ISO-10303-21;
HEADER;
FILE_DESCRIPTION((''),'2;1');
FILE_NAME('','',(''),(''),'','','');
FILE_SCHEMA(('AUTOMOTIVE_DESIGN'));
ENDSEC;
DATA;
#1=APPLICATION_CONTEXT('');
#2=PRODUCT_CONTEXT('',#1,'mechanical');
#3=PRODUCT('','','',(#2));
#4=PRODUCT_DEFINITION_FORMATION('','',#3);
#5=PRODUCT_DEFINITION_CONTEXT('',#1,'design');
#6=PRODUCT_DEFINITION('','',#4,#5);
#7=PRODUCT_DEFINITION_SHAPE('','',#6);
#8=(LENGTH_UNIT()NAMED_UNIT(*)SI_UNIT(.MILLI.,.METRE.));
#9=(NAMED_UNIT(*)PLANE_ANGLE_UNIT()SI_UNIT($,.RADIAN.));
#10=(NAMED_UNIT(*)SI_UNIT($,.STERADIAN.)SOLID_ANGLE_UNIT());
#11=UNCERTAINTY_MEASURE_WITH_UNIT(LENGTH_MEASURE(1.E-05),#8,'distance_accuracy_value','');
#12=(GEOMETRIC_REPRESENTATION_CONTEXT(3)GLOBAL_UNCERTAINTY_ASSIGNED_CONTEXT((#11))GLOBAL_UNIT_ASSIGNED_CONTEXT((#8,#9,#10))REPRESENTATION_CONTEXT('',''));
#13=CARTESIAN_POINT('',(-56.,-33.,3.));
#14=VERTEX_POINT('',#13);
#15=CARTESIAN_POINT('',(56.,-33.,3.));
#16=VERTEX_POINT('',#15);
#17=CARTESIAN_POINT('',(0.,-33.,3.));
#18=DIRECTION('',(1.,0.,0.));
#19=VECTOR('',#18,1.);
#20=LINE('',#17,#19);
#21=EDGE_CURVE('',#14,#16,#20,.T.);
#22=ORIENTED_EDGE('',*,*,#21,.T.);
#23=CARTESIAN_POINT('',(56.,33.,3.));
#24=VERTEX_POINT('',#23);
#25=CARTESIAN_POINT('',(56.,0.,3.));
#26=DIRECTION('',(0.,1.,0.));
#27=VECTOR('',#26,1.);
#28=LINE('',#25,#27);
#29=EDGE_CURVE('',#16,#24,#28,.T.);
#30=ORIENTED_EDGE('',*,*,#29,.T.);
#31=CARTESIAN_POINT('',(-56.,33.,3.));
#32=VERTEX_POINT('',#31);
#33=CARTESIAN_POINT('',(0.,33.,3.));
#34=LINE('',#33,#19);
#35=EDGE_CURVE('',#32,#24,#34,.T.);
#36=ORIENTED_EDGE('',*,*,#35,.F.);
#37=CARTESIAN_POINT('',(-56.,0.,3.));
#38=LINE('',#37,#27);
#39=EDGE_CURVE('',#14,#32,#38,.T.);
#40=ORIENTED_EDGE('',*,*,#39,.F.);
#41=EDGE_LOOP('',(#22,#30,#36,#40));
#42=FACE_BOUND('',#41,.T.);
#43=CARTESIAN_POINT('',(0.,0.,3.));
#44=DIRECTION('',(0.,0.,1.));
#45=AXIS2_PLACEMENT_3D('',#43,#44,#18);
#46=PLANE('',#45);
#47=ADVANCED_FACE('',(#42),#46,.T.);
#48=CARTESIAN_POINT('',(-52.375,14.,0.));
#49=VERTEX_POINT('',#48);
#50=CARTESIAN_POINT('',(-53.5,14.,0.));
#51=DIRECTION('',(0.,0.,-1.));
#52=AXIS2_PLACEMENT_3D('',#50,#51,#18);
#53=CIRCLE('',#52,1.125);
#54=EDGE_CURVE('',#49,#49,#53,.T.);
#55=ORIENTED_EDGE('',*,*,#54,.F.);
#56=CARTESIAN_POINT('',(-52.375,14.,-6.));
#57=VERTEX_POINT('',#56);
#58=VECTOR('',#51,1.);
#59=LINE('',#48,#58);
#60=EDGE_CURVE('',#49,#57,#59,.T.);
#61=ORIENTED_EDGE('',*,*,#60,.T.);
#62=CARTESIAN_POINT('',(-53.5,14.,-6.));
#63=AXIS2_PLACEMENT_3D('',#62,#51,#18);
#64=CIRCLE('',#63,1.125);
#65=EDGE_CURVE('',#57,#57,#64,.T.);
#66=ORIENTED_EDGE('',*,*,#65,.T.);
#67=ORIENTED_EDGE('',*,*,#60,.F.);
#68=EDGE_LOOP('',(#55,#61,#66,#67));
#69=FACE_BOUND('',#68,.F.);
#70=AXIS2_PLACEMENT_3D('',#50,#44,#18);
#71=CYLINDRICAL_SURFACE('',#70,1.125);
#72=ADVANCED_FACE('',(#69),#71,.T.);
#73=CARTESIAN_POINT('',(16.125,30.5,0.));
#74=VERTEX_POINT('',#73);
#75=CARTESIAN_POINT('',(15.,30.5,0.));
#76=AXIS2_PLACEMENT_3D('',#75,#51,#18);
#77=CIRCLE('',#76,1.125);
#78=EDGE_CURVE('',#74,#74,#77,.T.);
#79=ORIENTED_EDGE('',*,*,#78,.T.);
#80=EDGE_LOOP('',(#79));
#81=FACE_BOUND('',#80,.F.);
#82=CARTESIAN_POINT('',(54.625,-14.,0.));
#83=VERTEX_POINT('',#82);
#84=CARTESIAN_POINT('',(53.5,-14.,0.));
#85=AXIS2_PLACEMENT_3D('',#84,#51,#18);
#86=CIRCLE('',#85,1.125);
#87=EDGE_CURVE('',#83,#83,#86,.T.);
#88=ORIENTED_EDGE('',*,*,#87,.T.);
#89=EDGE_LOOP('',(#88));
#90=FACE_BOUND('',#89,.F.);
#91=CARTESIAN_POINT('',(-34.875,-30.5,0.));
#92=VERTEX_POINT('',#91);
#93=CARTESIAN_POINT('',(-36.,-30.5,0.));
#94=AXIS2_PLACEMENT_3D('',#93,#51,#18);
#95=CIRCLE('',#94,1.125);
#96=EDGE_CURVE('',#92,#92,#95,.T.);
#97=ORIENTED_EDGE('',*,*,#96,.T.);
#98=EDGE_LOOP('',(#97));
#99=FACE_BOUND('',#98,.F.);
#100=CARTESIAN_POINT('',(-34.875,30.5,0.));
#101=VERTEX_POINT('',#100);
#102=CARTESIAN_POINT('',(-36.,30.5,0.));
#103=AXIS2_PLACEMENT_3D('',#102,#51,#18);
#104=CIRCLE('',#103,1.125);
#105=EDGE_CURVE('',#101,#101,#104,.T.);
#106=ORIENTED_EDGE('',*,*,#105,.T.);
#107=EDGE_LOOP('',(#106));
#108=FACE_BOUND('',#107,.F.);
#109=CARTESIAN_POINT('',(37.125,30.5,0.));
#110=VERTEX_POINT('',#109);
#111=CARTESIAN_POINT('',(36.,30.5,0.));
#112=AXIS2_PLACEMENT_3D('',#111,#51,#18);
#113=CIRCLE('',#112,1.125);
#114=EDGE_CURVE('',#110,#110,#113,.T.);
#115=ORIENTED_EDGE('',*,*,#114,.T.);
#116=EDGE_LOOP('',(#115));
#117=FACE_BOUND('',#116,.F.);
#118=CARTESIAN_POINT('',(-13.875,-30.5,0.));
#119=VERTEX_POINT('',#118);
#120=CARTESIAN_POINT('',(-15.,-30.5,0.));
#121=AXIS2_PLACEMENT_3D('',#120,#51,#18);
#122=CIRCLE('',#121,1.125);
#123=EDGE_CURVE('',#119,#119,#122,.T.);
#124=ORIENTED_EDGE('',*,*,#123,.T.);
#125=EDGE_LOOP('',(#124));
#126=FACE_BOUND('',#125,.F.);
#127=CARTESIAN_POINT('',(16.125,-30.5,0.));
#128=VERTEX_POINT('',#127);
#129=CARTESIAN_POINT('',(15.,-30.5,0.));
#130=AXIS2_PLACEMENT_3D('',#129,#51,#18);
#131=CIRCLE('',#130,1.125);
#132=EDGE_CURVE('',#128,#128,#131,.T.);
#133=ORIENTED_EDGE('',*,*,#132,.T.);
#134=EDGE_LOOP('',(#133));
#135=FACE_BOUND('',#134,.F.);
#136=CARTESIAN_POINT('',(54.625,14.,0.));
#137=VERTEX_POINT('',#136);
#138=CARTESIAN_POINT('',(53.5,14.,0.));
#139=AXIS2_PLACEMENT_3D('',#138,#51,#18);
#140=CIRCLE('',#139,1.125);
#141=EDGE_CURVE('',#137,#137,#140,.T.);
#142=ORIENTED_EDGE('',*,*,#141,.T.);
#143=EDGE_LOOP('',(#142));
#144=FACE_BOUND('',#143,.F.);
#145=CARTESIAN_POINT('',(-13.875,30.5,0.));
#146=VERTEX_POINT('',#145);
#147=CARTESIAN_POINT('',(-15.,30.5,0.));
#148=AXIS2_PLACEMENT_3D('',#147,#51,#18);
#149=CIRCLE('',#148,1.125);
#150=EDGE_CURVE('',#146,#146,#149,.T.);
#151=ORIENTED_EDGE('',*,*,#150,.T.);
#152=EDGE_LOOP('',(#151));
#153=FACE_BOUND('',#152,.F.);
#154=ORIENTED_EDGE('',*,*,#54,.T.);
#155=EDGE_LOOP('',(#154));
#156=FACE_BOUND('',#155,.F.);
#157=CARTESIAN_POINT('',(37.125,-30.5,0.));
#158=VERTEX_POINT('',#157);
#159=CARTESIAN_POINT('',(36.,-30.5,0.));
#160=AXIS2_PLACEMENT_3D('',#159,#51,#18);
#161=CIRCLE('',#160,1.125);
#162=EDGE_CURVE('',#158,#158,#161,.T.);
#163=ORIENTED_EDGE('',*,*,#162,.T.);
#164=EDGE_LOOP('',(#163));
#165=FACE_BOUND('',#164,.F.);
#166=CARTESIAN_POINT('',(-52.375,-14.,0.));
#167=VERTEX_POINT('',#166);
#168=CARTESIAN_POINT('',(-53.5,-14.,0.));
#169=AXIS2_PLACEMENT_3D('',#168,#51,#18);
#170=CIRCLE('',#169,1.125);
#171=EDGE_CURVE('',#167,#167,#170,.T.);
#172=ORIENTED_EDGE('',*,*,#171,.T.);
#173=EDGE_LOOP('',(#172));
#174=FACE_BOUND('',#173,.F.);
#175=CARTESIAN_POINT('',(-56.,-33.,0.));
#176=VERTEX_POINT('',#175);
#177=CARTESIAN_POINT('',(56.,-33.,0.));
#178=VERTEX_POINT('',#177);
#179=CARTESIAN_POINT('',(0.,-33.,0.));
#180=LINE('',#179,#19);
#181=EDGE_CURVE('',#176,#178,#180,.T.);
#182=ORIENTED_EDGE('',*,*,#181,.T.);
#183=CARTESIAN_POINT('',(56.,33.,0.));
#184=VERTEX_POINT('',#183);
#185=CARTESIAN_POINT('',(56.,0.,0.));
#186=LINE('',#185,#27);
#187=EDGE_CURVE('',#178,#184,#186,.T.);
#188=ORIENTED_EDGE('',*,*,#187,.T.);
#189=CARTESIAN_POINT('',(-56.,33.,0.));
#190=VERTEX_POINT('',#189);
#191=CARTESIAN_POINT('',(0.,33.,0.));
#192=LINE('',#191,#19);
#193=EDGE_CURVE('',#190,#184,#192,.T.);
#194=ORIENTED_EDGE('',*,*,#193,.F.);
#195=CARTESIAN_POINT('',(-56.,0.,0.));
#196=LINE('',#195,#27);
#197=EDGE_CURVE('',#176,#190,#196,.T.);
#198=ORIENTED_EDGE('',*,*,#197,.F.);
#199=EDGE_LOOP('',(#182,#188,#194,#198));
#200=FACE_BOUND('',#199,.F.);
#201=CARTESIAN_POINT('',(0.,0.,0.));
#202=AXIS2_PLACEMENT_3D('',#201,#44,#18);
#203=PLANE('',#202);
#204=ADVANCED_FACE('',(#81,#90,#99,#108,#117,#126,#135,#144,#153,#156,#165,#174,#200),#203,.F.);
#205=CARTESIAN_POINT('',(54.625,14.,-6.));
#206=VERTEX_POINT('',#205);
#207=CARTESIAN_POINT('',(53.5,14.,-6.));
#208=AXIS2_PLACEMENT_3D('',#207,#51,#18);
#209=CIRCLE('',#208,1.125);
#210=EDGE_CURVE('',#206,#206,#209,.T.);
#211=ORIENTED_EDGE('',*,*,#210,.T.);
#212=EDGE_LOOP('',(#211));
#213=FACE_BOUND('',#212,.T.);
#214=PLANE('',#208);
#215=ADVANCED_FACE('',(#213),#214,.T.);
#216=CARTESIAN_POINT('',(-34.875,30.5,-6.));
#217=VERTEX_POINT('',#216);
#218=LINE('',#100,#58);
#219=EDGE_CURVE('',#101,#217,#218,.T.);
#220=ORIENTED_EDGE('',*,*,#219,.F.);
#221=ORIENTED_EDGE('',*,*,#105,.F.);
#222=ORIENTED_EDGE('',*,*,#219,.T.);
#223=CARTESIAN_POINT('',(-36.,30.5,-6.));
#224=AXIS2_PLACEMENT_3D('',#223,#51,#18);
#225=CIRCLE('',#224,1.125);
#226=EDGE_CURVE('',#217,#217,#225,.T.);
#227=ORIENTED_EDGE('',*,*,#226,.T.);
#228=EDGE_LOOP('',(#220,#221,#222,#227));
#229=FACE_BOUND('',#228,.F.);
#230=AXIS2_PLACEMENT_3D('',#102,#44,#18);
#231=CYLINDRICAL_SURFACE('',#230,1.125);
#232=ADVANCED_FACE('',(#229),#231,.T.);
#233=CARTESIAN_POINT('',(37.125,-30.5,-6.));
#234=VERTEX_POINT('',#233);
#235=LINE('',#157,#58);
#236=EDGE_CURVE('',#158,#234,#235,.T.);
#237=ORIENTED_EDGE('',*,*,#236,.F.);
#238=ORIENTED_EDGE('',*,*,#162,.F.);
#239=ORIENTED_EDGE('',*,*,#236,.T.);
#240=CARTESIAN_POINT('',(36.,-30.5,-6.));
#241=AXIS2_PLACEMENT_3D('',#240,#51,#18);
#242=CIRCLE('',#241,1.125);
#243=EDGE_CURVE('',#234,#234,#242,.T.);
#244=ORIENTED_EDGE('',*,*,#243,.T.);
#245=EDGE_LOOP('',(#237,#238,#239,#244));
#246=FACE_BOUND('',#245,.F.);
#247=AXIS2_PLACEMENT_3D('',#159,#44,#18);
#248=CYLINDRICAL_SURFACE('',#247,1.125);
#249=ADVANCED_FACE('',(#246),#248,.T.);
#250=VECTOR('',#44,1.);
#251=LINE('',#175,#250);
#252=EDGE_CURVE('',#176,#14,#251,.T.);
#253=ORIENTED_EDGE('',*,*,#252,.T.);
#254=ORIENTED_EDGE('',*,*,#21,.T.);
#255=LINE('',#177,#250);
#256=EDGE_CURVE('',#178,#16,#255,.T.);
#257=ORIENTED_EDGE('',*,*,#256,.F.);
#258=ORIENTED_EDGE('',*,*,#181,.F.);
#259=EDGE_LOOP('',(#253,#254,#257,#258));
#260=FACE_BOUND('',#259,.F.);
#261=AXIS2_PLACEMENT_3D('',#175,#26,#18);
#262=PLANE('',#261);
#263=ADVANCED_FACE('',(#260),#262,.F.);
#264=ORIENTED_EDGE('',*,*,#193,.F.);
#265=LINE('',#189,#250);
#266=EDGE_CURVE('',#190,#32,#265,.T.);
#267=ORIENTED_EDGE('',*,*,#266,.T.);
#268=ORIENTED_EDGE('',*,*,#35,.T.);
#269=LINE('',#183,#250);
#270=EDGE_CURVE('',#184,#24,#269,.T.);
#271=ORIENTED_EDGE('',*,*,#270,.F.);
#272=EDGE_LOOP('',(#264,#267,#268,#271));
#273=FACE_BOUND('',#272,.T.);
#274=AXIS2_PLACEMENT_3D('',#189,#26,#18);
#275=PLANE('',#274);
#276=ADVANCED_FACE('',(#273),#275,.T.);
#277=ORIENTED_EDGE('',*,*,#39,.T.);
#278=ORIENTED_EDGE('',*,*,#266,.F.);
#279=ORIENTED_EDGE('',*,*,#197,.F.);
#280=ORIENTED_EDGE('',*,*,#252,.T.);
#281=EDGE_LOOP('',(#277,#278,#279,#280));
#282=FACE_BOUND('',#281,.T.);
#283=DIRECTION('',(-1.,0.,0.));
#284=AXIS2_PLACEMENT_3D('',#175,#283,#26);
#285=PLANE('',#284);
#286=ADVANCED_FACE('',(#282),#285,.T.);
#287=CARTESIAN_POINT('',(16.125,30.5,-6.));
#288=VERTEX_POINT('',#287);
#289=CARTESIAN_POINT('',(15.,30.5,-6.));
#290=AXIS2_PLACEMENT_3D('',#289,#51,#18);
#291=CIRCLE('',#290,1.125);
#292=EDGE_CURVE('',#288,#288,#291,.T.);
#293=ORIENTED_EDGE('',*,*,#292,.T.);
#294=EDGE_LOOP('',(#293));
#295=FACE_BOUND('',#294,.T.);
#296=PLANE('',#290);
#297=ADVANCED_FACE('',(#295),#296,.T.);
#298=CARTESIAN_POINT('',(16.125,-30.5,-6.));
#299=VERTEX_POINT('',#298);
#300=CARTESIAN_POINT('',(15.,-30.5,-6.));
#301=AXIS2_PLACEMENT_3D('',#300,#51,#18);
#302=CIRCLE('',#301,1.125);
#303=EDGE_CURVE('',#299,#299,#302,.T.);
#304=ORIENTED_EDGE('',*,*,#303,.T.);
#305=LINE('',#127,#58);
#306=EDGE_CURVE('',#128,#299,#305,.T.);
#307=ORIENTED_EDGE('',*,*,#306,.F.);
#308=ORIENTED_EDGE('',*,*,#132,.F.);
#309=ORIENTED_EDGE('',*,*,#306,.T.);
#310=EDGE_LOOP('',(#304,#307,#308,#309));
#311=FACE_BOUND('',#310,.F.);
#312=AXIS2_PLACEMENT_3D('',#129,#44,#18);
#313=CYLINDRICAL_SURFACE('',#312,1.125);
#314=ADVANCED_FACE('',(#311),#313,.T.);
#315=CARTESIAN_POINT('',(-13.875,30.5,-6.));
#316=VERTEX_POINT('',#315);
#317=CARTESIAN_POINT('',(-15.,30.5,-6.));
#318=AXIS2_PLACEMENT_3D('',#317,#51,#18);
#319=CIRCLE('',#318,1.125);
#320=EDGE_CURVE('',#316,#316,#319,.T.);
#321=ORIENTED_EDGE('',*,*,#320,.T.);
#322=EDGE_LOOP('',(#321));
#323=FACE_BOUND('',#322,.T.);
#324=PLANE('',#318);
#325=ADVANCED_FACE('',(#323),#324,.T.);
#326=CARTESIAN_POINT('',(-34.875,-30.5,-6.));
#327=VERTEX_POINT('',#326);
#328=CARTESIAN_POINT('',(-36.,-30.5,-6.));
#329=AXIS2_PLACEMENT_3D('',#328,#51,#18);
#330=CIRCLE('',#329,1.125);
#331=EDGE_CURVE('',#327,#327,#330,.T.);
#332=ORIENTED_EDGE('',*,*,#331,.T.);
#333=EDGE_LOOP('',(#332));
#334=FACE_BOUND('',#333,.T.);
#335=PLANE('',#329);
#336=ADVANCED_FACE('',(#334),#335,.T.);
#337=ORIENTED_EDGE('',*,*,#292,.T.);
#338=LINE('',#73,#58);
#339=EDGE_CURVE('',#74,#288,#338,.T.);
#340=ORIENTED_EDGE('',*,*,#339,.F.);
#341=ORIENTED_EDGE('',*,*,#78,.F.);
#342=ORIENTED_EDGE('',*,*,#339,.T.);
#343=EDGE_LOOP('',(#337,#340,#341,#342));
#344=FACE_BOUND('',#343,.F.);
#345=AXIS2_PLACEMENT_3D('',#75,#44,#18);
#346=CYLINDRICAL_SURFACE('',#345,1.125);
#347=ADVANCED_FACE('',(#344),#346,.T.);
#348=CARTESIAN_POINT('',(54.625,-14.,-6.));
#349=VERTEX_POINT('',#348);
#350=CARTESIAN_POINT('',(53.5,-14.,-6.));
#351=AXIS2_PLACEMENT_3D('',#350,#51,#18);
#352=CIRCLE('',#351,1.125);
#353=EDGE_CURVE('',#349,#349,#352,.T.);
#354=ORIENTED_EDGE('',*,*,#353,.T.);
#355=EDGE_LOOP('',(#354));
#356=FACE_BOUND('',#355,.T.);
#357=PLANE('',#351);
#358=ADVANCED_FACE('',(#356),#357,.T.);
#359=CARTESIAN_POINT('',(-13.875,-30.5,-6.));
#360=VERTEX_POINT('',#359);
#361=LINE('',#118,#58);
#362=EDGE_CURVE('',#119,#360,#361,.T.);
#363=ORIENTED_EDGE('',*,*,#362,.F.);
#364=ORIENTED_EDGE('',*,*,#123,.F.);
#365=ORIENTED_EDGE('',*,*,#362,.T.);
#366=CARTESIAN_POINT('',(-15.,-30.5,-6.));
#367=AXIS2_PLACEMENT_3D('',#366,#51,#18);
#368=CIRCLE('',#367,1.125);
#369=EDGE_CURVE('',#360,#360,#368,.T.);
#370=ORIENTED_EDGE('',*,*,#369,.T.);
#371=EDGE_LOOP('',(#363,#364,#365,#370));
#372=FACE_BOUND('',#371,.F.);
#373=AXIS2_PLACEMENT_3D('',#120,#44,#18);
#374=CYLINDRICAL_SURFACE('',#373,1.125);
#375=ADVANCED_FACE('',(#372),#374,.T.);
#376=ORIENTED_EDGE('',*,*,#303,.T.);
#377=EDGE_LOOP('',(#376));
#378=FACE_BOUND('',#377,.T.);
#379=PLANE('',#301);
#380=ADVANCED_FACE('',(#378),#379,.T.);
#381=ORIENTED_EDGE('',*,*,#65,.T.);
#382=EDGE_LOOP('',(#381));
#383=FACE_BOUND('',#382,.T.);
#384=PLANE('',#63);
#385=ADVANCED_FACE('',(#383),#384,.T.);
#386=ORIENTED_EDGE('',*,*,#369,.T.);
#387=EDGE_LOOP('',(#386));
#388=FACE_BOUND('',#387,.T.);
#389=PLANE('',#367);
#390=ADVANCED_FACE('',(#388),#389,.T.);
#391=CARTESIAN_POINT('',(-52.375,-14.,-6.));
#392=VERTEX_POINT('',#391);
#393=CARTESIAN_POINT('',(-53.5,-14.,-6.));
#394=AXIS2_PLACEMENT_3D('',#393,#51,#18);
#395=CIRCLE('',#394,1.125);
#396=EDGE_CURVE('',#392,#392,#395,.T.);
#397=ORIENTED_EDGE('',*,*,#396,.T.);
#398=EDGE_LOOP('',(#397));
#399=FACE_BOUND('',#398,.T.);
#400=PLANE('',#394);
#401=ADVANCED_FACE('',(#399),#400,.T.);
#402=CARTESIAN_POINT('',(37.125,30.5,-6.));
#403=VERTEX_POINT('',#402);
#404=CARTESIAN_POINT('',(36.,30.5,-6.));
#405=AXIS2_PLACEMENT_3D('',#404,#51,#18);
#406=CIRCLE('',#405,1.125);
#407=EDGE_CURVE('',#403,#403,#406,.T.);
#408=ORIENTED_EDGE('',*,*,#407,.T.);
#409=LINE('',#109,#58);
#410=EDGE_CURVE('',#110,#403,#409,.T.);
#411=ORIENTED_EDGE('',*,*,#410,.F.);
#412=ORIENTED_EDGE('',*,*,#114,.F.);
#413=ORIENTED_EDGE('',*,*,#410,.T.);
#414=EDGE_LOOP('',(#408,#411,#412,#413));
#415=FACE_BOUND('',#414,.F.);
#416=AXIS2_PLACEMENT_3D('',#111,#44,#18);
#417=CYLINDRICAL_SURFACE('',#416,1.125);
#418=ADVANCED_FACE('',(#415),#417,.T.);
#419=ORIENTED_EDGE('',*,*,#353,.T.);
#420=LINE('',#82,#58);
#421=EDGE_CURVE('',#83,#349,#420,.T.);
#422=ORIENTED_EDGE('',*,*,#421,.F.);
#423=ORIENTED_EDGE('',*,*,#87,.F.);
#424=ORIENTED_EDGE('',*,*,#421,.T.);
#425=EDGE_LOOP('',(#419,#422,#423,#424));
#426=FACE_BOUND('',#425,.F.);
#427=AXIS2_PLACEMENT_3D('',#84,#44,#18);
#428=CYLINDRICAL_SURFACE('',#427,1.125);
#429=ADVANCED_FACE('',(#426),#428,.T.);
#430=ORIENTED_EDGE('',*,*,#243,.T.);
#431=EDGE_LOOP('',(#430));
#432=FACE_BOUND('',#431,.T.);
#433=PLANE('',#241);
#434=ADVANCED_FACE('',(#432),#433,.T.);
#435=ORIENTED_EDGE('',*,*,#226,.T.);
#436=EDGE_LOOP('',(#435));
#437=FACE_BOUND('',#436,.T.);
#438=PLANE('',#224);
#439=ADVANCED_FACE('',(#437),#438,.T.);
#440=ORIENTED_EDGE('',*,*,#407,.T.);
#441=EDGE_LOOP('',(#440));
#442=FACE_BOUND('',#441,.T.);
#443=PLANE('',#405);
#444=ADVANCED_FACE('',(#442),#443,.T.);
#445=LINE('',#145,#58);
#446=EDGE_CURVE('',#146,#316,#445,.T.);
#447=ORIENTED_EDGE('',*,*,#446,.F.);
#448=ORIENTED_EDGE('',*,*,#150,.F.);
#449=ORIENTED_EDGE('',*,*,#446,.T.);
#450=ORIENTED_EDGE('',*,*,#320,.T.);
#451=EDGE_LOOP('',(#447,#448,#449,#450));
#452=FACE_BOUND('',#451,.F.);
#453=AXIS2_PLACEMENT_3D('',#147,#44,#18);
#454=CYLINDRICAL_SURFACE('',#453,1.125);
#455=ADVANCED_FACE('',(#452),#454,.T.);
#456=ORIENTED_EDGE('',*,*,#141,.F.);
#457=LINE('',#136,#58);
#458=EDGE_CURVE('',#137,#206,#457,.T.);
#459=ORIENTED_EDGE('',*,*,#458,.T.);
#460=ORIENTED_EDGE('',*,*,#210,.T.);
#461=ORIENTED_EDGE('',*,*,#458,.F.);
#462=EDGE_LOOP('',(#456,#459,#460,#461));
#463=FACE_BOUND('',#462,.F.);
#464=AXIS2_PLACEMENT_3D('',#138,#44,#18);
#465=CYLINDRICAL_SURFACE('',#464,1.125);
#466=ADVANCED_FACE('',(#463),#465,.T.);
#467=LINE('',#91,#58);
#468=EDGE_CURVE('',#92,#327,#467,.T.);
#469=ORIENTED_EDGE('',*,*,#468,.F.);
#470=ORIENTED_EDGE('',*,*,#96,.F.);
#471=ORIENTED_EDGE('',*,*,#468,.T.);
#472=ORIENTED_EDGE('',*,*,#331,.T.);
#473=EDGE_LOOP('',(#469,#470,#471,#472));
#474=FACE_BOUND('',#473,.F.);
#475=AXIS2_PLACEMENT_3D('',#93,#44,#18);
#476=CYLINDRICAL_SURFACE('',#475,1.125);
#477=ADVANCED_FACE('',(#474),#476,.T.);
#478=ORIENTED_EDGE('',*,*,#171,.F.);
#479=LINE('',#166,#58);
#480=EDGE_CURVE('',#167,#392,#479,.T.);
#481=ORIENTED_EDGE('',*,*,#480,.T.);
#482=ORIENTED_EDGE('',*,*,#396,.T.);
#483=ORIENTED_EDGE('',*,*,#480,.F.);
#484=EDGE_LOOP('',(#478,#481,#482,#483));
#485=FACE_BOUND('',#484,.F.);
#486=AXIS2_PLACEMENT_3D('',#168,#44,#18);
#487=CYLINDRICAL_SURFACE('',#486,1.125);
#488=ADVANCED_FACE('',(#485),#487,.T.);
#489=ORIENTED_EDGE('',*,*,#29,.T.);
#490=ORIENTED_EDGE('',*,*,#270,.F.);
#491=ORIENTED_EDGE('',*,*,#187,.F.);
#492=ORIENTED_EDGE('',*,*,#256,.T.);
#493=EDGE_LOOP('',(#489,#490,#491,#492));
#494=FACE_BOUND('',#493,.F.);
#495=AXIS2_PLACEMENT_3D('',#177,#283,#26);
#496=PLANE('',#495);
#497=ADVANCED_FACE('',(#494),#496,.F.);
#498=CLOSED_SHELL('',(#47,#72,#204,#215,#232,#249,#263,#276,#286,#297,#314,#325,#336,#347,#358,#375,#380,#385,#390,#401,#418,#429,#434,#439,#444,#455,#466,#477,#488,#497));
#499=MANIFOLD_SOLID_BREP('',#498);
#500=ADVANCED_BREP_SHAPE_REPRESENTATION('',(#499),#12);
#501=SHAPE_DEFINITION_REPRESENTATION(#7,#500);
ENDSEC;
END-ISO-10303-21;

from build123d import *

# Parameters (mm, degrees)
F0_W     = 112
F0_H     = 66
F1_DEPTH = 3
F2_R     = 1.125
F3_DEPTH = 6


with BuildPart() as f1:
    # F0 (on Top) → F1 (new body)
    with BuildSketch(Plane.XY):
        Rectangle(F0_W, F0_H)
    extrude(amount=F1_DEPTH)

    # F2 (on face) → F3 (join)
    with BuildSketch(Plane(origin=(0, 0, 0), x_dir=(1, 0, 0), z_dir=(0, 0, -1))):
        with Locations((-53.5, 14)):
            Circle(F2_R)
        with Locations((-36, 30.5)):
            Circle(F2_R)
        with Locations((-15, 30.5)):
            Circle(F2_R)
        with Locations((15, 30.5)):
            Circle(F2_R)
        with Locations((36, 30.5)):
            Circle(F2_R)
        with Locations((53.5, 14)):
            Circle(F2_R)
        with Locations((53.5, -14)):
            Circle(F2_R)
        with Locations((36, -30.5)):
            Circle(F2_R)
        with Locations((15, -30.5)):
            Circle(F2_R)
        with Locations((-15, -30.5)):
            Circle(F2_R)
        with Locations((-36, -30.5)):
            Circle(F2_R)
        with Locations((-53.5, -14)):
            Circle(F2_R)
    extrude(amount=F3_DEPTH)


solid = f1.part
